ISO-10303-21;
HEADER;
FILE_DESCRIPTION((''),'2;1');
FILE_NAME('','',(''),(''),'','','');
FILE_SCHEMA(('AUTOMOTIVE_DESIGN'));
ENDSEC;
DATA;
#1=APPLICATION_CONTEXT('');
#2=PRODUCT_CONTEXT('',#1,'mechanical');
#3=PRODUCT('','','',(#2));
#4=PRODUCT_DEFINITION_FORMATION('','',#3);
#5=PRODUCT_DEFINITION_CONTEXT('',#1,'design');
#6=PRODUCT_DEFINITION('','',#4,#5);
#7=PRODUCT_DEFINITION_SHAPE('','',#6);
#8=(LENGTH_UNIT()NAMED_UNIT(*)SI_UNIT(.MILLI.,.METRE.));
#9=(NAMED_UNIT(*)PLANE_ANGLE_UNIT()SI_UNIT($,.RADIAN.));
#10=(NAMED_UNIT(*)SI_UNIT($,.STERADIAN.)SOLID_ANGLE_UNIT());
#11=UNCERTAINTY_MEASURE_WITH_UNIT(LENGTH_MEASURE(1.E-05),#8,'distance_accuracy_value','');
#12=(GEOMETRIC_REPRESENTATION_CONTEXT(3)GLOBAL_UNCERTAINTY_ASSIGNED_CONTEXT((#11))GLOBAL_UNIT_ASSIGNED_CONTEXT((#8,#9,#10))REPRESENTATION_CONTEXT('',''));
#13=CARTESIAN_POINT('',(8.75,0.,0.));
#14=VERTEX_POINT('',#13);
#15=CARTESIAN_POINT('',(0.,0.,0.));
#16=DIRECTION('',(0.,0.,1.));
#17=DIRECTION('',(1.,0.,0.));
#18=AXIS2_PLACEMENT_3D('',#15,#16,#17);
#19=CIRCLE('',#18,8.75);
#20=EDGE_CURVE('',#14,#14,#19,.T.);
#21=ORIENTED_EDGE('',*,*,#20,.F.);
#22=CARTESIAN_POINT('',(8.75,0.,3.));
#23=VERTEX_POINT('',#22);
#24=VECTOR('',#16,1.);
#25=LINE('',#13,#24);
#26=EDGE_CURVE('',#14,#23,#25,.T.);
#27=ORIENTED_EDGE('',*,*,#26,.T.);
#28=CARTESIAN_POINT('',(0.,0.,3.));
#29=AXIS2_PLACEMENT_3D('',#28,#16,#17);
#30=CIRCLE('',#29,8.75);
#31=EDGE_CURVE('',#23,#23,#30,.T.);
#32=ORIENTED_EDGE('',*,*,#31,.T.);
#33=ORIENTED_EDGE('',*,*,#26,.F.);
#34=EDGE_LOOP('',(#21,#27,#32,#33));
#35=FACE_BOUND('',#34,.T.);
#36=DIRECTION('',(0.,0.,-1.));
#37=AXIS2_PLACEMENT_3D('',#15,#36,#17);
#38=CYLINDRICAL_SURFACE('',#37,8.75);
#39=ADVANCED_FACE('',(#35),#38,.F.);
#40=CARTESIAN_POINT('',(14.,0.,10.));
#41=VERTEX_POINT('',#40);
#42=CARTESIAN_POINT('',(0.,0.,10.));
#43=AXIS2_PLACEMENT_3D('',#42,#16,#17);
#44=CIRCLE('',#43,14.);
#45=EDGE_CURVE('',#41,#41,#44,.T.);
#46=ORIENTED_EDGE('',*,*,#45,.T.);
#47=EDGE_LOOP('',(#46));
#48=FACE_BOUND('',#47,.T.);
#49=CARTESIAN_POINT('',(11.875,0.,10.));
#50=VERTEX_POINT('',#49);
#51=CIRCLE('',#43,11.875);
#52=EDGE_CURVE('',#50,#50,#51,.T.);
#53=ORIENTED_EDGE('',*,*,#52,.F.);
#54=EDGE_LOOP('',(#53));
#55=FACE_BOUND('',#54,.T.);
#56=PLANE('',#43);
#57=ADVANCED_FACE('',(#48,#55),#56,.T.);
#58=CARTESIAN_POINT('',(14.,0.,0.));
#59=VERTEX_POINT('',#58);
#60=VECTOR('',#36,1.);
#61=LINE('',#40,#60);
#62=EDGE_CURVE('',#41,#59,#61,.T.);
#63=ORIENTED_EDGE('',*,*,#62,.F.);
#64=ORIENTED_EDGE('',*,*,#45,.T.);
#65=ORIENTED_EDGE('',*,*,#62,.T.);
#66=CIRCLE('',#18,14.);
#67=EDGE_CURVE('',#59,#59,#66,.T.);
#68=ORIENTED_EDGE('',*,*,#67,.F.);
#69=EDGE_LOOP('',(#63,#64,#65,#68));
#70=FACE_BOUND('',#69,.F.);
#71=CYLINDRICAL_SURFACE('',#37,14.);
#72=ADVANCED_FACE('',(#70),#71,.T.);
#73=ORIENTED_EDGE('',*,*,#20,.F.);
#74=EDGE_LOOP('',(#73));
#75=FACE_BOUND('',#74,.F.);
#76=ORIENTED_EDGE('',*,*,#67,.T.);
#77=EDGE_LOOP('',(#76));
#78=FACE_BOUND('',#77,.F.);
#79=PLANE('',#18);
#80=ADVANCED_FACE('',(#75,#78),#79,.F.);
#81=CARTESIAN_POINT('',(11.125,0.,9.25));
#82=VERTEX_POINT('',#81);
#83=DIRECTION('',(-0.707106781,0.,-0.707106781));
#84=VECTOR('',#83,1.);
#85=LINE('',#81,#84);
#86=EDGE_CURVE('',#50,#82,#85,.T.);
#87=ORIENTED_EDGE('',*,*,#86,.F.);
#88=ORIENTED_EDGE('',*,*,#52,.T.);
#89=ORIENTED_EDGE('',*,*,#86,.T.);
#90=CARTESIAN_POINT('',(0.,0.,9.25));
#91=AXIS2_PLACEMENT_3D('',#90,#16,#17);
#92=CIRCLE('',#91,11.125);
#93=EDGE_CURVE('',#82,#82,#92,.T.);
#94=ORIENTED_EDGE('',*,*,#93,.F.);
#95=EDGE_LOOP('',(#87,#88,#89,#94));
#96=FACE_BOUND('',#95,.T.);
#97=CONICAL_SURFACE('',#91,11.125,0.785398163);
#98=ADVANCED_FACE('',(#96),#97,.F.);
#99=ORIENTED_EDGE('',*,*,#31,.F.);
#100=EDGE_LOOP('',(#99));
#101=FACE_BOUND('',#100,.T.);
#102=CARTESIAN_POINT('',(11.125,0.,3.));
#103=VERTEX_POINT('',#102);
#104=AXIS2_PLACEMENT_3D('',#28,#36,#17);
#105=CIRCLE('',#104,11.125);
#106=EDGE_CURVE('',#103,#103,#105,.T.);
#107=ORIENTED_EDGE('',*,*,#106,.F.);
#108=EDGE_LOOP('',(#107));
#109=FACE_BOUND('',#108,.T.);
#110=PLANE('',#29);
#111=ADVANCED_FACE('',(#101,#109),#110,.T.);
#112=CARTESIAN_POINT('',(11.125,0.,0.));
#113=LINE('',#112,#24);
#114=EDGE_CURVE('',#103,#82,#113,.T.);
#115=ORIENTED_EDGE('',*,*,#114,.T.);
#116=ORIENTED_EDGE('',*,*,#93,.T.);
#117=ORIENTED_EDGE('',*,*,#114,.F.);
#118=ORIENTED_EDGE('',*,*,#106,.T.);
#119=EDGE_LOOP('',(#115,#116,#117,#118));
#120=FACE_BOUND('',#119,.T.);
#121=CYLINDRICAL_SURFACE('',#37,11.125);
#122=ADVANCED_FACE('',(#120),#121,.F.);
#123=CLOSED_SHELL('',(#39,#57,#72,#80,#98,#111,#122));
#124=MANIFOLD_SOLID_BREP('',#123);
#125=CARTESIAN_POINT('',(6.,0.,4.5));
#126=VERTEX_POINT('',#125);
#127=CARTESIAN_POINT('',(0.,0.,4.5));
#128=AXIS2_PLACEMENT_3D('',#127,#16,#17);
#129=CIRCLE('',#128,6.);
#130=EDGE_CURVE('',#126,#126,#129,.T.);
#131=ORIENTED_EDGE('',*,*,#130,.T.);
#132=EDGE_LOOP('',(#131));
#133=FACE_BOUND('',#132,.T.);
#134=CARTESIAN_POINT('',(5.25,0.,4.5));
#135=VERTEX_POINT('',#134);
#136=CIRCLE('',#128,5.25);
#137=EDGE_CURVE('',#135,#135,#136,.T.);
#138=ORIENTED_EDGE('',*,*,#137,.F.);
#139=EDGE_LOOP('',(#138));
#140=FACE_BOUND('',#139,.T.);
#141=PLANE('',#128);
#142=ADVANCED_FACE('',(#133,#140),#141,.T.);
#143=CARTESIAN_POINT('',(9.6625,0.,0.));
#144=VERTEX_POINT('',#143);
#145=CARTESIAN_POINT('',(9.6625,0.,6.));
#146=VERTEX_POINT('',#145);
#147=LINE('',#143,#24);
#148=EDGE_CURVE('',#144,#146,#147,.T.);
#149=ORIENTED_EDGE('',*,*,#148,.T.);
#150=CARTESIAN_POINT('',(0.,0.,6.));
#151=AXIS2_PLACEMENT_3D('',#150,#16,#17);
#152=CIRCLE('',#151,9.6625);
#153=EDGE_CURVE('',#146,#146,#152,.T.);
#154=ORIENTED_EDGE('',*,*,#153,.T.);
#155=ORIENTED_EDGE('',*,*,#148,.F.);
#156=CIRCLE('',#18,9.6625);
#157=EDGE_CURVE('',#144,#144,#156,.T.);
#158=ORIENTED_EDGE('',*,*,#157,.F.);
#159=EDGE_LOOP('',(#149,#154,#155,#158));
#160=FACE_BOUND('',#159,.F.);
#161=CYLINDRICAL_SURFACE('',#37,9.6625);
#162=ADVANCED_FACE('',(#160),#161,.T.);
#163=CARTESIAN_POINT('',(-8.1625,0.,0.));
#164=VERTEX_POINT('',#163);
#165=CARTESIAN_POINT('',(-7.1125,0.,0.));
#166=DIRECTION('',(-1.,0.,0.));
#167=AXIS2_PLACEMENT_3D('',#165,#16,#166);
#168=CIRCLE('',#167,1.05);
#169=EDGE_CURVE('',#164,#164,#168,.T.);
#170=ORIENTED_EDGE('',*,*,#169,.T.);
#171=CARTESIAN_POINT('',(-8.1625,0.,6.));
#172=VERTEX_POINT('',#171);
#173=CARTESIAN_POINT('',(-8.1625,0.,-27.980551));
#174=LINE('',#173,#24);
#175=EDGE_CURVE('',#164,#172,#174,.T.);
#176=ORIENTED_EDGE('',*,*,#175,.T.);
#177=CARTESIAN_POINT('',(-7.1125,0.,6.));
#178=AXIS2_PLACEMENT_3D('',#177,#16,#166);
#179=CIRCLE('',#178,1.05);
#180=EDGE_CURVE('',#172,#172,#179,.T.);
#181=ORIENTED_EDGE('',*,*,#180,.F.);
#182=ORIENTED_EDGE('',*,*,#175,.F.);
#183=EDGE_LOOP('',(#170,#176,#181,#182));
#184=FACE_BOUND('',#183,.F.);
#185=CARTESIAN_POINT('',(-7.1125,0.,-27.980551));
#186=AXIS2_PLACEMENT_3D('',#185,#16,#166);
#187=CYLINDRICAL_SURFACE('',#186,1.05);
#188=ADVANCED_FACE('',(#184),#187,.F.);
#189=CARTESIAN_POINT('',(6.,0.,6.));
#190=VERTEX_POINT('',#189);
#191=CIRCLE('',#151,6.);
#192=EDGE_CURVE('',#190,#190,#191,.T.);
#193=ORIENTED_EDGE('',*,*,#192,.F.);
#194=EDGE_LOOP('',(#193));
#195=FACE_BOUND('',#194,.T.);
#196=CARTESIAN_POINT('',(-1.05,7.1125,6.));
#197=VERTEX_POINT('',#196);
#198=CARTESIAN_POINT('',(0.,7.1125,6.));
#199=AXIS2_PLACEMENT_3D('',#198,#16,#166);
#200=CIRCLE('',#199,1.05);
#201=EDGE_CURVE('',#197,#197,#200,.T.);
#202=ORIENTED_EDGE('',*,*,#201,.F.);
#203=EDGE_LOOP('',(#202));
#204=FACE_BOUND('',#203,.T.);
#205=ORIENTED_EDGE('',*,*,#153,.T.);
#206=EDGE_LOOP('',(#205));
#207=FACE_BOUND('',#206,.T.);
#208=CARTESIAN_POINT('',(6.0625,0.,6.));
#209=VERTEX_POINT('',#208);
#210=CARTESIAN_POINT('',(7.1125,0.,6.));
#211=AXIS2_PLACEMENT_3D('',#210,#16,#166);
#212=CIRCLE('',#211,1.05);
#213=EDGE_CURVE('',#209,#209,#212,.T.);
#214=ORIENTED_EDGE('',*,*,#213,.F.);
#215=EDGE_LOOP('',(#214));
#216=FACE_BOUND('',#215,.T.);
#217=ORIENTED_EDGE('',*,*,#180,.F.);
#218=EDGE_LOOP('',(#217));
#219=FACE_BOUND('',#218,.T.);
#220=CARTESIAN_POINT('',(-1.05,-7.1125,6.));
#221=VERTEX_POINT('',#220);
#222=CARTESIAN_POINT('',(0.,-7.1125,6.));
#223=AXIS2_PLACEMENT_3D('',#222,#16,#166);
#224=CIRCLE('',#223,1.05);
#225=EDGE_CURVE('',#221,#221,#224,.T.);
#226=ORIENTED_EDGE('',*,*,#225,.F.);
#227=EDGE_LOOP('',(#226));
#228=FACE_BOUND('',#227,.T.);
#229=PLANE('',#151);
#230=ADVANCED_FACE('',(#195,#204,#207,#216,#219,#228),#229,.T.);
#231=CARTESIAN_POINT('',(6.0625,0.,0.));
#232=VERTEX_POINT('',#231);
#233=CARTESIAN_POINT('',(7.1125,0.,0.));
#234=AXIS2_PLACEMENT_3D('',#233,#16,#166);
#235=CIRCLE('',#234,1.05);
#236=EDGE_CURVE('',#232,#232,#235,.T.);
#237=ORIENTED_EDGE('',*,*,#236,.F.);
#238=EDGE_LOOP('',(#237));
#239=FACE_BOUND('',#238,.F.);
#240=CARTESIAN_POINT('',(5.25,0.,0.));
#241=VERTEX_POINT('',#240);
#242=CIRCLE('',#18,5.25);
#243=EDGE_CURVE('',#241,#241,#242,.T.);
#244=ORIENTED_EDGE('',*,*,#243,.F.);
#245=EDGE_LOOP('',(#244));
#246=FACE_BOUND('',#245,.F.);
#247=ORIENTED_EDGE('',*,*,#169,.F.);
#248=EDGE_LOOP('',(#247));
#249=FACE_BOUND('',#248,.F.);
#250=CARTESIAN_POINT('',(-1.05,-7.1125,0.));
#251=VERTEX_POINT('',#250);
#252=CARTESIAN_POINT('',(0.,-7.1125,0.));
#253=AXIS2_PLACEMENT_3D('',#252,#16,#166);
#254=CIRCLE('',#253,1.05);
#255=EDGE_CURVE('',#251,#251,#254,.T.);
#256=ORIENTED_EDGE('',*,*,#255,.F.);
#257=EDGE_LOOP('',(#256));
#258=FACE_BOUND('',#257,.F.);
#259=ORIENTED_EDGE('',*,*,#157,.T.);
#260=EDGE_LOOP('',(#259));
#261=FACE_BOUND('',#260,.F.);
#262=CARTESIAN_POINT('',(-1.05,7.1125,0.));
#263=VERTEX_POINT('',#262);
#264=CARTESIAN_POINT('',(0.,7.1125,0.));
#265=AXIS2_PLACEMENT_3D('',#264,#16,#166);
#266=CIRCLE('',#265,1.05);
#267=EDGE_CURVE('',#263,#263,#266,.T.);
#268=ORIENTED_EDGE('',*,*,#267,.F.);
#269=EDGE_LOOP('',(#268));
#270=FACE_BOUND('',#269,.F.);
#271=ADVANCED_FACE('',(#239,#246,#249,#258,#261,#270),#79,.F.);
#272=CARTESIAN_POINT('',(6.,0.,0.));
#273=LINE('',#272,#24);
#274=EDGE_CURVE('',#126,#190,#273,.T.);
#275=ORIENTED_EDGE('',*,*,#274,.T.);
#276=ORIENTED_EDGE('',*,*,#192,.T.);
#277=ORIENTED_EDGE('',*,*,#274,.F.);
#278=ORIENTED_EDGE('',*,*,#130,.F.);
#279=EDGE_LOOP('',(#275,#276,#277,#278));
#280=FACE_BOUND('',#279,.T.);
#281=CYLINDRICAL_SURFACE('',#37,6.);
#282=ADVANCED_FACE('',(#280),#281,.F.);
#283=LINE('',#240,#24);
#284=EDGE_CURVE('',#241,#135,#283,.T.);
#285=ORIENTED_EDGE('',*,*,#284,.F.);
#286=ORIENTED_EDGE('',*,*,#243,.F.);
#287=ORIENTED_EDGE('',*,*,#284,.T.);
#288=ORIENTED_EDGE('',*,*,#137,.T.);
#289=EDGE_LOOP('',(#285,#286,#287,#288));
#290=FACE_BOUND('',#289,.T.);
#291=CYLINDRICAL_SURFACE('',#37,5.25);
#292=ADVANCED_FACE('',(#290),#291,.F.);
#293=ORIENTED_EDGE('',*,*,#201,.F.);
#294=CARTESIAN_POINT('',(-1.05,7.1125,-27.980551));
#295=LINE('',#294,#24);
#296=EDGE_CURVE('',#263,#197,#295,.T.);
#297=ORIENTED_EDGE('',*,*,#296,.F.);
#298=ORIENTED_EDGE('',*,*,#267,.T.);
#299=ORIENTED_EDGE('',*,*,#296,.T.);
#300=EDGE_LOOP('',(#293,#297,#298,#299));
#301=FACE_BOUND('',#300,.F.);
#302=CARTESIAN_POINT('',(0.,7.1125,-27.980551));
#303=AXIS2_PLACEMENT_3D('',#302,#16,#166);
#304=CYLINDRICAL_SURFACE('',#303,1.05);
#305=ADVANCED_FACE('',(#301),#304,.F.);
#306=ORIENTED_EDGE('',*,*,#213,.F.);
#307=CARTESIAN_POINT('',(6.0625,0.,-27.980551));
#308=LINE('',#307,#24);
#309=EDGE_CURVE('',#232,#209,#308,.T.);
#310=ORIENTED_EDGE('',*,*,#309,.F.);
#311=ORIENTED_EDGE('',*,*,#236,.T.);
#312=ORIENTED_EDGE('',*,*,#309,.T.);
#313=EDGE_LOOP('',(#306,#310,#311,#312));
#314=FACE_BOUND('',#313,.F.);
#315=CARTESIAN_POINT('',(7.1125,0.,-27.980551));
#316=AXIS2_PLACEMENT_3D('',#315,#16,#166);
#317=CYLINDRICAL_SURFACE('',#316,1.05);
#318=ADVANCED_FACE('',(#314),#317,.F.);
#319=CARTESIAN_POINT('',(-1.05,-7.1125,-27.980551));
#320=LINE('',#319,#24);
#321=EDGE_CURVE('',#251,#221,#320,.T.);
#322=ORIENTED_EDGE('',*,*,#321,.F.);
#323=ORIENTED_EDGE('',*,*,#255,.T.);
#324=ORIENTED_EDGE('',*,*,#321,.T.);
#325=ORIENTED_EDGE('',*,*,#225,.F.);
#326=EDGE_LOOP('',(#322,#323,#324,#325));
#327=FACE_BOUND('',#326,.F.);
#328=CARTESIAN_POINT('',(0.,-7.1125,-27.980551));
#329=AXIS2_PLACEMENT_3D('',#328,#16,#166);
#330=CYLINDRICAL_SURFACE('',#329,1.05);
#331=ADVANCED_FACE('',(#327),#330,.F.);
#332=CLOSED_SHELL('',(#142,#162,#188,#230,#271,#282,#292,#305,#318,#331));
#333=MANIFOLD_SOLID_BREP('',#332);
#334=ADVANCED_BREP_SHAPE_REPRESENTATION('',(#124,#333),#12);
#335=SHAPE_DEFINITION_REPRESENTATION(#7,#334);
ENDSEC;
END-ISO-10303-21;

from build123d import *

# Parameters (mm, degrees)
F6_R      = 6
F6_R_2    = 5.25
F7_DEPTH  = 4.5
F6_R_3    = 9.6625
F8_DEPTH  = 6
F9_D      = 2.1
F10_R     = 14
F10_R_2   = 11.125
F10_R_3   = 8.75
F11_DEPTH = 3
F12_R     = 14
F12_R_2   = 11.125
F13_DEPTH = 10
F14_SIZE  = 0.75


with BuildPart() as f7:
    # F6 (on Top) → F7 (new body)
    with BuildSketch(Plane.XY):
        Circle(F6_R)
        Circle(F6_R_2, mode=Mode.SUBTRACT)
    extrude(amount=F7_DEPTH)

    # F6 (on Top) → F8 (join)
    with BuildSketch(Plane.XY):
        Circle(F6_R_3)
        Circle(F6_R, mode=Mode.SUBTRACT)
    extrude(amount=F8_DEPTH)

    # F9 (through all)
    with Locations(Plane(origin=(0, 0, 0), x_dir=(1, 0, 0), z_dir=(0, 0, -1))):
        with Locations((0, -7.1125), (7.1125, 0), (-7.1125, 0), (0, 7.1125)):
            Hole(F9_D / 2)


with BuildPart() as f11:
    # F10 (on Top) → F11 (new body)
    with BuildSketch(Plane.XY):
        Circle(F10_R)
        Circle(F10_R_2, mode=Mode.SUBTRACT)
        Circle(F10_R_2)
        Circle(F10_R_3, mode=Mode.SUBTRACT)
    extrude(amount=F11_DEPTH)

    # F12 (on face) → F13 (join)
    with BuildSketch(Plane.XY):
        Circle(F12_R)
        Circle(F12_R_2, mode=Mode.SUBTRACT)
    extrude(amount=F13_DEPTH)

    # F14
    f14_edges = [f11.edges().sort_by_distance(p)[0] for p in [
        (-11.125, 0, 10),
    ]]
    chamfer(f14_edges, length=F14_SIZE)


solid = Compound([f7.part, f11.part])
